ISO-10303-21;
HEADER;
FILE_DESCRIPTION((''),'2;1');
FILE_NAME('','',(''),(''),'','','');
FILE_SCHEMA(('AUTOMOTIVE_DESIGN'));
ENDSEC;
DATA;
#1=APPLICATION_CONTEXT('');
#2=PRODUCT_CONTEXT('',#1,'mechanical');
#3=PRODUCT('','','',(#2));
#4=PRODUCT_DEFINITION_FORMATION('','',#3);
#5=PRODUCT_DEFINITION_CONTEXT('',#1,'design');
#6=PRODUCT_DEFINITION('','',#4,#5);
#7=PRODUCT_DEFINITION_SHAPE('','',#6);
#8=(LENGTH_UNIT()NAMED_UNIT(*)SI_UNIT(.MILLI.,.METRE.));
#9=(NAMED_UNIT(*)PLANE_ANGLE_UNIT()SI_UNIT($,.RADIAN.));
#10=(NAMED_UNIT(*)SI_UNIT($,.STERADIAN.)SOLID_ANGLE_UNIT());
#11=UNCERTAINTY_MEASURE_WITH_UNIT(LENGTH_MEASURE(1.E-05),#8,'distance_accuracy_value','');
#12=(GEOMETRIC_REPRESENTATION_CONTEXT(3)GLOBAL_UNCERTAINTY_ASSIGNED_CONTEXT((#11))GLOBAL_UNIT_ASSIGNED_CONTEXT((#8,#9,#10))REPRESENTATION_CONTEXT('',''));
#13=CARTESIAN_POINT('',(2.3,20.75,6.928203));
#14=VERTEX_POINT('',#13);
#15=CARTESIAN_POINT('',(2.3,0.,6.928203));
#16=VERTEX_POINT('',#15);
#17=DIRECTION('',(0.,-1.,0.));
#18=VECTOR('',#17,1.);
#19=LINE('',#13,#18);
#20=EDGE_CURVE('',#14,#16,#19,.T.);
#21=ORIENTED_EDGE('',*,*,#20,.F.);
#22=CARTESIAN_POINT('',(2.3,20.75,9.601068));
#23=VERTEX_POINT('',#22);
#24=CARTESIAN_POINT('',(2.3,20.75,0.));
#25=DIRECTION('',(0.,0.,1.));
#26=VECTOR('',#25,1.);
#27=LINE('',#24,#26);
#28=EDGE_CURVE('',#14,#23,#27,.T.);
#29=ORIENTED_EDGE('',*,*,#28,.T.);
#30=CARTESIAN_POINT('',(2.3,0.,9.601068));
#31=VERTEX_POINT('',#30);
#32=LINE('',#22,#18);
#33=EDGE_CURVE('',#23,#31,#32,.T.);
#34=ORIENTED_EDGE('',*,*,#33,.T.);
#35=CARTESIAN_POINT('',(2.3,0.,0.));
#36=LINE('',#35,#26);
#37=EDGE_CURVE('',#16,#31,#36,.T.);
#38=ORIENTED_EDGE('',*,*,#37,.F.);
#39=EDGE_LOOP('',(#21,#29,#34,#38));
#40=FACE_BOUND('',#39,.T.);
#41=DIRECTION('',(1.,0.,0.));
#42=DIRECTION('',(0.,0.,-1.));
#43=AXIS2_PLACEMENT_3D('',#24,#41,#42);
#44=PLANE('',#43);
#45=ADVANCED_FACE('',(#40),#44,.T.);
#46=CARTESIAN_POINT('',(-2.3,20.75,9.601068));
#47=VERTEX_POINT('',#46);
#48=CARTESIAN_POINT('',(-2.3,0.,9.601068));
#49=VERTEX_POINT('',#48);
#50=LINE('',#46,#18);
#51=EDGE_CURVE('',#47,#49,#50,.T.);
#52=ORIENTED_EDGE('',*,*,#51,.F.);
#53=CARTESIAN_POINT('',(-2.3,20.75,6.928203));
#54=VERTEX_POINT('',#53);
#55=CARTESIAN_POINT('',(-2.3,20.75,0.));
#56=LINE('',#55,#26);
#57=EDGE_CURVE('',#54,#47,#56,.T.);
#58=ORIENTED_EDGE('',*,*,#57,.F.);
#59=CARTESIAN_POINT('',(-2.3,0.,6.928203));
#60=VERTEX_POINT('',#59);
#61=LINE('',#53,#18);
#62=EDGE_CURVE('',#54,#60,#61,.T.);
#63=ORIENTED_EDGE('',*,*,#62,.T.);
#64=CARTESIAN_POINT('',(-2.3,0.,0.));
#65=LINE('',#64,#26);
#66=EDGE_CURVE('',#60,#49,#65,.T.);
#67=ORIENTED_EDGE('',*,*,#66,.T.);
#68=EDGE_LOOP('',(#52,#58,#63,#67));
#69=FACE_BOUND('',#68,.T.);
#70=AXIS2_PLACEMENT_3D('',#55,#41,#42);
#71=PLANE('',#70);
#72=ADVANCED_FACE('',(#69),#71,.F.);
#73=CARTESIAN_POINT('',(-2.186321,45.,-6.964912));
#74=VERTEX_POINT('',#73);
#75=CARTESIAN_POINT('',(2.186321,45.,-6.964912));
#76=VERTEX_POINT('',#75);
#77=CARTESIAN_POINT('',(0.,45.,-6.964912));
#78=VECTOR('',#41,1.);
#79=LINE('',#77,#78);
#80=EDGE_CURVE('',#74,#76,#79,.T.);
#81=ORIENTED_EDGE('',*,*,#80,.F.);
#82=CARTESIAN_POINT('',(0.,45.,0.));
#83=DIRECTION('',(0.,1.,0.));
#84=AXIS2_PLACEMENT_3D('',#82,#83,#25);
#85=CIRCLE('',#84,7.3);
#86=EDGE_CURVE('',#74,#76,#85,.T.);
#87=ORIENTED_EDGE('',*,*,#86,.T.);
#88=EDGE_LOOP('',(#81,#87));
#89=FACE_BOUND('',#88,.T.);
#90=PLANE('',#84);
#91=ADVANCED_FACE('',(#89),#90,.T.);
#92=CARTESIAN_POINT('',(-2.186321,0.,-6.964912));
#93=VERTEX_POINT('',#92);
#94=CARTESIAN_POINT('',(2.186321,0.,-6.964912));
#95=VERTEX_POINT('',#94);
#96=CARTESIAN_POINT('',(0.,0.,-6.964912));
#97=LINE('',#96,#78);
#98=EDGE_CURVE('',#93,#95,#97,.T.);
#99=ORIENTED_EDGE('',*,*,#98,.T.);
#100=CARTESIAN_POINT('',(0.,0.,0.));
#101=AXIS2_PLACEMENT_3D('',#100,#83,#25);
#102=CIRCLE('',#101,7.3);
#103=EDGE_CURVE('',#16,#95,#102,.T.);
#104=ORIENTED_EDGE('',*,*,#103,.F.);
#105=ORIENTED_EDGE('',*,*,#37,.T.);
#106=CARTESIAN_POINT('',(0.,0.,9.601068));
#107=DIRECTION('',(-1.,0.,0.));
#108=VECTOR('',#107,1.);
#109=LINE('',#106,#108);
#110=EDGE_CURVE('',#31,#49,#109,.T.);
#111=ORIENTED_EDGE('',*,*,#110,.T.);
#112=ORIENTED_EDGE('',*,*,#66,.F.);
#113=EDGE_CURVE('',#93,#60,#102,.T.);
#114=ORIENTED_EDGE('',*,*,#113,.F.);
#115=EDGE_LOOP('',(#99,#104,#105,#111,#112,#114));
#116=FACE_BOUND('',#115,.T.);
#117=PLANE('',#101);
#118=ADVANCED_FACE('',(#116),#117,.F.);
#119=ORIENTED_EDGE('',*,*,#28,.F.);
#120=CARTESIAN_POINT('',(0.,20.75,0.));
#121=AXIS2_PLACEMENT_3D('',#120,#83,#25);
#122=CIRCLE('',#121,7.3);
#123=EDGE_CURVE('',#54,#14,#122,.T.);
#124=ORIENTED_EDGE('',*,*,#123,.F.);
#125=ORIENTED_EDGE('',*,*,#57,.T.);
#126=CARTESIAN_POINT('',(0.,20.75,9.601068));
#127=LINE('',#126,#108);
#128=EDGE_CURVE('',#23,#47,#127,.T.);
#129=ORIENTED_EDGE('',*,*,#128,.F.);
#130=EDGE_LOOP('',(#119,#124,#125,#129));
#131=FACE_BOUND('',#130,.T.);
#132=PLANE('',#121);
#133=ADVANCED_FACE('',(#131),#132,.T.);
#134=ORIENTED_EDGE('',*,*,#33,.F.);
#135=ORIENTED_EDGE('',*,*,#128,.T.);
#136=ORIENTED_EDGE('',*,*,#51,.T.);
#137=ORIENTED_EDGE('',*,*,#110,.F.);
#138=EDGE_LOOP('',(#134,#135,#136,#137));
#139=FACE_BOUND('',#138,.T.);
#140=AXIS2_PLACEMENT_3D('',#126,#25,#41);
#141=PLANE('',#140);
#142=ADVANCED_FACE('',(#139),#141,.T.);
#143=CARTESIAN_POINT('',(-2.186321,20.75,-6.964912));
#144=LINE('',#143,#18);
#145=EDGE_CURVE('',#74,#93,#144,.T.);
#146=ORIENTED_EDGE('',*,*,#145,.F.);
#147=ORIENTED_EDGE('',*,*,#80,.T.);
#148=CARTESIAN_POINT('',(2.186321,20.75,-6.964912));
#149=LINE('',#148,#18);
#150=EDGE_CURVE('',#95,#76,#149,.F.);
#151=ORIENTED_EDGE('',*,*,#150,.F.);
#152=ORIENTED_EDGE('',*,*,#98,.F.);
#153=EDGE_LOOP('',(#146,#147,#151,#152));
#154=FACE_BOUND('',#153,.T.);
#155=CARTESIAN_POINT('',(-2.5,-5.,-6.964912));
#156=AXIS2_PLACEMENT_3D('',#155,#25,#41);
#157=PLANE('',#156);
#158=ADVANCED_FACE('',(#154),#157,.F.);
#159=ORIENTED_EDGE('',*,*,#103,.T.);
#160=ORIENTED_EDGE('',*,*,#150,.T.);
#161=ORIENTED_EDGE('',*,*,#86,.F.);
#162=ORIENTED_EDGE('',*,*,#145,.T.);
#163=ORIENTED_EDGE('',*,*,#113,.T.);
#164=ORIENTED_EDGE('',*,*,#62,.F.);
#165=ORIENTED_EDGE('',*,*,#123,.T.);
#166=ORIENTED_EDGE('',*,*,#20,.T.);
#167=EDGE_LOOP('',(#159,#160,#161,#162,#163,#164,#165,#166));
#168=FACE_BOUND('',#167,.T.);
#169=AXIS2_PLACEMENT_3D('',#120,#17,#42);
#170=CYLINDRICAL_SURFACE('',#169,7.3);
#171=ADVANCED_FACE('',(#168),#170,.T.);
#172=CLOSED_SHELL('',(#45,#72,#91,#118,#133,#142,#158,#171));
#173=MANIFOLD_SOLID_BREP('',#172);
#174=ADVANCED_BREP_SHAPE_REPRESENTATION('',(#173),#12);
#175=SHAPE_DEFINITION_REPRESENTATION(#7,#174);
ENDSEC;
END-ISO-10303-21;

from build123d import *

# Parameters (mm, degrees)
BOSS_EXTRUDE1_DEPTH = 20.75
SKETCH2_R           = 7.3
BOSS_EXTRUDE2_DEPTH = 24.25
CUT_EXTRUDE1_DEPTH  = 50


with BuildPart() as part:
    # Sketch1 → Boss-Extrude1 (new body)
    with BuildSketch(Plane(origin=(0, 0, 0), x_dir=(1, 0, 0), z_dir=(0, 1, 0))):
        with BuildLine():
            Line((-2.3, -6.92820323), (-2.3, -9.601067812))
            Line((-2.3, -9.601067812), (2.3, -9.601067812))
            Line((2.3, -9.601067812), (2.3, -6.92820323))
            ThreePointArc((2.3, -6.92820323), (0, 7.3), (-2.3, -6.92820323))
        make_face()
    extrude(amount=BOSS_EXTRUDE1_DEPTH)

    # Sketch2 → Boss-Extrude2 (add)
    with BuildSketch(Plane(origin=(0, 20.75, 0), x_dir=(1, 0, 0), z_dir=(0, 1, 0))):
        with Locations(Location((0, 0, 0), (0, 0, 251.635051289))):
            Circle(SKETCH2_R)
    extrude(amount=BOSS_EXTRUDE2_DEPTH)

    # Sketch3 → Cut-Extrude1 (cut)
    with BuildSketch(Plane(origin=(0, 45, 0), x_dir=(1, 0, 0), z_dir=(0, 1, 0))):
        with BuildLine():
            Line((-2.5, 6.96491206), (2.5, 6.96491206))
            ThreePointArc((2.5, 6.96491206), (0, 7.4), (-2.5, 6.96491206))
        make_face()
    extrude(amount=-CUT_EXTRUDE1_DEPTH, mode=Mode.SUBTRACT)


solid = part.part
